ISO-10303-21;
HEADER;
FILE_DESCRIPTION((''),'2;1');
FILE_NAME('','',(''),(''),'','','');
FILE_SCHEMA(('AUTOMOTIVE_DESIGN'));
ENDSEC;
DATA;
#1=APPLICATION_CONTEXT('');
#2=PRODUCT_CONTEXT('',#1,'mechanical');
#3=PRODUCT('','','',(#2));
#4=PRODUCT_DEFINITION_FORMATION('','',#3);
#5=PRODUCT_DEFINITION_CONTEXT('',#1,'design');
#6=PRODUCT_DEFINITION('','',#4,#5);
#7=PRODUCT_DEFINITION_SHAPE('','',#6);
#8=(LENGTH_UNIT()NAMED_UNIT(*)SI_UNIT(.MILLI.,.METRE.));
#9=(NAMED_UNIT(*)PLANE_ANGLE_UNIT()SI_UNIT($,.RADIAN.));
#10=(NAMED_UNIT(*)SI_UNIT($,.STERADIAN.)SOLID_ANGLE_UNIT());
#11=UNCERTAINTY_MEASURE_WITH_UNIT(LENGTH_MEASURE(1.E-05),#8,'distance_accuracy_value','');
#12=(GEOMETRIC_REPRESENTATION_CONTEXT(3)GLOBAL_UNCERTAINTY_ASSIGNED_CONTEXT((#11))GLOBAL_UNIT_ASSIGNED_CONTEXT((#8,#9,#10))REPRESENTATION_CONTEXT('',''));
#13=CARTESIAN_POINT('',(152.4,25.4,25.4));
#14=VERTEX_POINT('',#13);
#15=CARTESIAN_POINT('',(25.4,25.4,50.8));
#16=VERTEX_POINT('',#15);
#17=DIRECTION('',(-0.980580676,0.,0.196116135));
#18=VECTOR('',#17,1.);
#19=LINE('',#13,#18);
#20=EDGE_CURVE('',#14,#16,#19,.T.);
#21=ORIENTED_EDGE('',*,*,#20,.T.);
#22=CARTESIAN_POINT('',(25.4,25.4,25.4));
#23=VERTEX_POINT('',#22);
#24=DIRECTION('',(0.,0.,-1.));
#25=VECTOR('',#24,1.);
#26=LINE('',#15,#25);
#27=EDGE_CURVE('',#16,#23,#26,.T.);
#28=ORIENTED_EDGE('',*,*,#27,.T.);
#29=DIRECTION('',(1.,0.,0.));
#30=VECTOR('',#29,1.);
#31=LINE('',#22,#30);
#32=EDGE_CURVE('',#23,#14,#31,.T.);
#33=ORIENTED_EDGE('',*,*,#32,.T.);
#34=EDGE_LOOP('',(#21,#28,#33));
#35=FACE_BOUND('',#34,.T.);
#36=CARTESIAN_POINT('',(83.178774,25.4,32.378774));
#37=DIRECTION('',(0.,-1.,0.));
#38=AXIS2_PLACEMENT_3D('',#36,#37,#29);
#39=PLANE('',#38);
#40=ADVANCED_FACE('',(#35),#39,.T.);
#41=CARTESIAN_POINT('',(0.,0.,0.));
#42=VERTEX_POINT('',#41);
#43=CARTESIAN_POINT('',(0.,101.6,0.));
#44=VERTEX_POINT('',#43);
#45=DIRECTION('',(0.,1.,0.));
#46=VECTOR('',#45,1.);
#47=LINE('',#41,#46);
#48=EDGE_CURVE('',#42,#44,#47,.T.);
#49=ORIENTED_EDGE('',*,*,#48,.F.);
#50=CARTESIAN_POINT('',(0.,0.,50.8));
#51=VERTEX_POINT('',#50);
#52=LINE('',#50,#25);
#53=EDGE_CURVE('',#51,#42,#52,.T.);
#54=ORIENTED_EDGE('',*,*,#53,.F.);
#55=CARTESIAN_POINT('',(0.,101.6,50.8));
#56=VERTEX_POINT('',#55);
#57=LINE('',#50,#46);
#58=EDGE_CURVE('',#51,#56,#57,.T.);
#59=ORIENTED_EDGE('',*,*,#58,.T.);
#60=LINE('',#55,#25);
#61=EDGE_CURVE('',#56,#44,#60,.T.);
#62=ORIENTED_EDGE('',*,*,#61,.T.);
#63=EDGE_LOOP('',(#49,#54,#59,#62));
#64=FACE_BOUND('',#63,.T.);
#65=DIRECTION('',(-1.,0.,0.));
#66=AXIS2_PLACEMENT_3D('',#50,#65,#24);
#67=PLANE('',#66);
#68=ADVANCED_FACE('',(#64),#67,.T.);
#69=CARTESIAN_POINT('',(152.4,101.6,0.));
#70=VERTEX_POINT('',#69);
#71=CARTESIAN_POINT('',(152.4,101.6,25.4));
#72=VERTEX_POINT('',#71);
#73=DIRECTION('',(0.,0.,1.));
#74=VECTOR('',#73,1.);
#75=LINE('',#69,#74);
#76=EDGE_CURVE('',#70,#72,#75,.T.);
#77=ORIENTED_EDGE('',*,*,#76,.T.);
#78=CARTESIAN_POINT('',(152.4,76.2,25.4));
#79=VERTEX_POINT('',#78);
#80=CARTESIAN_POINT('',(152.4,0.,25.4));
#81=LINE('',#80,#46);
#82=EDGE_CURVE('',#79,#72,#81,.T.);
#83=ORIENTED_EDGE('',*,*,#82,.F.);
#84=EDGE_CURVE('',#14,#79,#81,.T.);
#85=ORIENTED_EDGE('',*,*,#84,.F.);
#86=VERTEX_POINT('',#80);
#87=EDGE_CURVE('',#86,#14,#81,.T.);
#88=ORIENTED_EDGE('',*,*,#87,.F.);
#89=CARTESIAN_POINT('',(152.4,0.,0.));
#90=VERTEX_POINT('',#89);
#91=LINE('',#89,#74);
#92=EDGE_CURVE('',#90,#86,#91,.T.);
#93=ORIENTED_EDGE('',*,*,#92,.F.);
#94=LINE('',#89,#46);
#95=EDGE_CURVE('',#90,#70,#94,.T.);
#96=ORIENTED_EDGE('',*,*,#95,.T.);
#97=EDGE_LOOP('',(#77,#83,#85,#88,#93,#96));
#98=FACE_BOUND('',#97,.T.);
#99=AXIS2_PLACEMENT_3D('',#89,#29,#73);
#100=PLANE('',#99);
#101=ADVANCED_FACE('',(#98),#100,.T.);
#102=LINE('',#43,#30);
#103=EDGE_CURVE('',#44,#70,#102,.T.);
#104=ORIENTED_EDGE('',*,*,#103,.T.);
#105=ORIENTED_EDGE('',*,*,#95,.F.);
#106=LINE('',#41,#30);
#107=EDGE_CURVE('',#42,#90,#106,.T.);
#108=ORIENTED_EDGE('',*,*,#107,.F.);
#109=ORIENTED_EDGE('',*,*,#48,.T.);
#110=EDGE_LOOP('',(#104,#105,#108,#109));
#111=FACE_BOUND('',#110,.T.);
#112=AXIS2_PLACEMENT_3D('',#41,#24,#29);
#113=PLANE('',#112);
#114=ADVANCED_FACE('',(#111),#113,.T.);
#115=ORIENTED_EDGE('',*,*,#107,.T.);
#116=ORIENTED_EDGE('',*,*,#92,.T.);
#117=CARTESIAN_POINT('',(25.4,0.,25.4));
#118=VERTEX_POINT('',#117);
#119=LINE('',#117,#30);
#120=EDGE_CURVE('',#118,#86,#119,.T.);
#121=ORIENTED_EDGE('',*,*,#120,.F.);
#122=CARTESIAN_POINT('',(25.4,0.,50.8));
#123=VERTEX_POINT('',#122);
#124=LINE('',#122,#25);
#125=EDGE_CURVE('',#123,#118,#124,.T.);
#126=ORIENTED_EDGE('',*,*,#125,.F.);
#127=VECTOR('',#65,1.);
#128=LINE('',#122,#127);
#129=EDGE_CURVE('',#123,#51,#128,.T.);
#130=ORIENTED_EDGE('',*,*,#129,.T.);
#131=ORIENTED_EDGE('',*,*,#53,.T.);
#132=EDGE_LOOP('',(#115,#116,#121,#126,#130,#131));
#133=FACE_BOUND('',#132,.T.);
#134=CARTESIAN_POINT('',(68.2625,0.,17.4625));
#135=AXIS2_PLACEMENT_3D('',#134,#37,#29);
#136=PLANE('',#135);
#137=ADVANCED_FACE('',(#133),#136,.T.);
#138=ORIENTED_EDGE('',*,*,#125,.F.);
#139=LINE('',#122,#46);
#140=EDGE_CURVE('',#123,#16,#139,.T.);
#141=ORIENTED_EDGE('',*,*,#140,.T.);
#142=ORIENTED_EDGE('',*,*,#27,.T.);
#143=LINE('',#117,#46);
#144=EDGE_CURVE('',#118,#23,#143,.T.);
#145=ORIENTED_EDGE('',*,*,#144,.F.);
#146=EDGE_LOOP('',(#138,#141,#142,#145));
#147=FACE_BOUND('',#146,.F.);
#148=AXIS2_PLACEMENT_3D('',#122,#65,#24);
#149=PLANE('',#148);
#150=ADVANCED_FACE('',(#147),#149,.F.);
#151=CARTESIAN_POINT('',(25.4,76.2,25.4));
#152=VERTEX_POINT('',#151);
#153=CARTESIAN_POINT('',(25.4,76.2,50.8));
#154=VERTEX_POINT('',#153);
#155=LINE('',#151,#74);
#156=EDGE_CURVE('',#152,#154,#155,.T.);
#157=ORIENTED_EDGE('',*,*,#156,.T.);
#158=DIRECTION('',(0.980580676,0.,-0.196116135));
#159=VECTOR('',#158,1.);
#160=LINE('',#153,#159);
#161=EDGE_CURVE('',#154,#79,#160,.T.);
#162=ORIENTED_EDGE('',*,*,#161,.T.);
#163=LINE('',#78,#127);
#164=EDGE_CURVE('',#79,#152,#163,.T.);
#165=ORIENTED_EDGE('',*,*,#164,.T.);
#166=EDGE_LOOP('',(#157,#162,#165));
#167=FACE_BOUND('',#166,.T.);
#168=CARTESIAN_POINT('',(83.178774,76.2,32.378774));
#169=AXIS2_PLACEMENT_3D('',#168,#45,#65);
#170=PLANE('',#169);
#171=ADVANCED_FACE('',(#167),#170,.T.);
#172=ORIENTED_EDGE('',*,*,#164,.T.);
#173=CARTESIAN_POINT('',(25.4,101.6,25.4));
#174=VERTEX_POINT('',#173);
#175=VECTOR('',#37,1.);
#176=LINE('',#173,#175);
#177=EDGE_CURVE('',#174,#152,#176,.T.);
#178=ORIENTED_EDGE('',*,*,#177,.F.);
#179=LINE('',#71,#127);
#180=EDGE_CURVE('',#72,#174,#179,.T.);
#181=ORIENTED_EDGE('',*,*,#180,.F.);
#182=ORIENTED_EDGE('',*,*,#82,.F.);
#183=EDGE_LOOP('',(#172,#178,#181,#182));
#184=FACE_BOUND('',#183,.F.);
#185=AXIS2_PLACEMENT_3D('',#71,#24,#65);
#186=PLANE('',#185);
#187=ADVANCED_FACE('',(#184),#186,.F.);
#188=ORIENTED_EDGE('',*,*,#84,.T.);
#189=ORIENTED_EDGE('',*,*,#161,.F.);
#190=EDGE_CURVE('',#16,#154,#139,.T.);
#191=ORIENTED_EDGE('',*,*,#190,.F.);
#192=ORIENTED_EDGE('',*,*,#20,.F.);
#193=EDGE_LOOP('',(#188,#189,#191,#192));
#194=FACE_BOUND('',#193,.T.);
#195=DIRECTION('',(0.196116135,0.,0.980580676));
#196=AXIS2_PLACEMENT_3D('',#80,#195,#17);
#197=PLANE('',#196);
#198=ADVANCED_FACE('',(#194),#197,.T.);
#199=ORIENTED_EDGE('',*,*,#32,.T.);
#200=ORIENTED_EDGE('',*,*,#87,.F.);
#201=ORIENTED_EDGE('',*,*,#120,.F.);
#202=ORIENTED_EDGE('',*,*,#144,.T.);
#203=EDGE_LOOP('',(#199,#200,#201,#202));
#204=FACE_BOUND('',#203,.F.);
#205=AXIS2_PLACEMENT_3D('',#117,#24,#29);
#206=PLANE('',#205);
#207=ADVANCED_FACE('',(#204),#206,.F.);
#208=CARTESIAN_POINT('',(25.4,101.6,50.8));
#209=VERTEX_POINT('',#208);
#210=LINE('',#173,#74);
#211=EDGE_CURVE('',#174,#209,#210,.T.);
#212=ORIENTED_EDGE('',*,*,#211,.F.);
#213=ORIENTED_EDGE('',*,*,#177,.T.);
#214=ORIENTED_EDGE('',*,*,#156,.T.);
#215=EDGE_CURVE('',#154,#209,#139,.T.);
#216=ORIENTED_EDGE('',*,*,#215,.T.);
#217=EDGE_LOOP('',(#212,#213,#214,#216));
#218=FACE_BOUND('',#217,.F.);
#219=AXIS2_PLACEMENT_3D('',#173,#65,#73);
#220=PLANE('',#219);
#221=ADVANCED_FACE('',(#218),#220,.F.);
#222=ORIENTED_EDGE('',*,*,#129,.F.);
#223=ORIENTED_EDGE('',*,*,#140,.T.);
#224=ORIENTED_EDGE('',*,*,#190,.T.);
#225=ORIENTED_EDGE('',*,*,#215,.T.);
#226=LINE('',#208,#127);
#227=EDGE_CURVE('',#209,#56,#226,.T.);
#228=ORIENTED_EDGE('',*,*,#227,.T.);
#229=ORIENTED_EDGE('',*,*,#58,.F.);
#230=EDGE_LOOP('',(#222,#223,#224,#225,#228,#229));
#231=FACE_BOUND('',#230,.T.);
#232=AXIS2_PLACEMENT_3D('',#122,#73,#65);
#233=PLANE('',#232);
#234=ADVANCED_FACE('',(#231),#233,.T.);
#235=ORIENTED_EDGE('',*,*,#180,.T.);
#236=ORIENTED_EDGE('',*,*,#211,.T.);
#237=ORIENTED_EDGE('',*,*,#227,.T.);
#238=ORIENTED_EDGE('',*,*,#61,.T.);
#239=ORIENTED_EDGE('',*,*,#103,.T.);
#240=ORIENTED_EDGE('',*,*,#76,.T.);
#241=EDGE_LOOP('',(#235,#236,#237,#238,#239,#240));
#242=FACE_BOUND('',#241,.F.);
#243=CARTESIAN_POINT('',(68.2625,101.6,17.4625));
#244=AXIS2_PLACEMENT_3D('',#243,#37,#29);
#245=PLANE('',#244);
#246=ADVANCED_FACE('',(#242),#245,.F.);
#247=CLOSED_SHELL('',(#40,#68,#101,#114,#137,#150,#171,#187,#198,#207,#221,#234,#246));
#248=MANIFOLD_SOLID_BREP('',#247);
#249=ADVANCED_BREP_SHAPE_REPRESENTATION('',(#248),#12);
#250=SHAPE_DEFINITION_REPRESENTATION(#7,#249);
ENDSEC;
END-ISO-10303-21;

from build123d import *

# Parameters (mm, degrees)
F1_DEPTH = 101.6
F3_DEPTH = 25.4
F5_DEPTH = 25.4


with BuildPart() as f1:
    # F0 (on Front) → F1 (new body)
    with BuildSketch(Plane.XZ):
        Polygon((0, 50.8), (0, 0), (152.4, 0), (152.4, 25.4), (25.4, 25.4), (25.4, 50.8), align=None)
        Polygon((152.4, 25.4), (25.4, 50.8), (25.4, 25.4), align=None)
    extrude(amount=-F1_DEPTH)

    # F2 (on face) → F3 (cut)
    with BuildSketch(Plane.XZ):
        Polygon((152.4, 25.4), (25.4, 50.8), (25.4, 25.4), align=None)
    extrude(amount=-F3_DEPTH, mode=Mode.SUBTRACT)

    # F4 (on face) → F5 (cut)
    with BuildSketch(Plane(origin=(0, 101.6, 0), x_dir=(-1, 0, 0), z_dir=(0, 1, 0))):
        Polygon((-25.4, 25.4), (-25.4, 50.8), (-152.4, 25.4), align=None)
    extrude(amount=-F5_DEPTH, mode=Mode.SUBTRACT)


solid = f1.part
